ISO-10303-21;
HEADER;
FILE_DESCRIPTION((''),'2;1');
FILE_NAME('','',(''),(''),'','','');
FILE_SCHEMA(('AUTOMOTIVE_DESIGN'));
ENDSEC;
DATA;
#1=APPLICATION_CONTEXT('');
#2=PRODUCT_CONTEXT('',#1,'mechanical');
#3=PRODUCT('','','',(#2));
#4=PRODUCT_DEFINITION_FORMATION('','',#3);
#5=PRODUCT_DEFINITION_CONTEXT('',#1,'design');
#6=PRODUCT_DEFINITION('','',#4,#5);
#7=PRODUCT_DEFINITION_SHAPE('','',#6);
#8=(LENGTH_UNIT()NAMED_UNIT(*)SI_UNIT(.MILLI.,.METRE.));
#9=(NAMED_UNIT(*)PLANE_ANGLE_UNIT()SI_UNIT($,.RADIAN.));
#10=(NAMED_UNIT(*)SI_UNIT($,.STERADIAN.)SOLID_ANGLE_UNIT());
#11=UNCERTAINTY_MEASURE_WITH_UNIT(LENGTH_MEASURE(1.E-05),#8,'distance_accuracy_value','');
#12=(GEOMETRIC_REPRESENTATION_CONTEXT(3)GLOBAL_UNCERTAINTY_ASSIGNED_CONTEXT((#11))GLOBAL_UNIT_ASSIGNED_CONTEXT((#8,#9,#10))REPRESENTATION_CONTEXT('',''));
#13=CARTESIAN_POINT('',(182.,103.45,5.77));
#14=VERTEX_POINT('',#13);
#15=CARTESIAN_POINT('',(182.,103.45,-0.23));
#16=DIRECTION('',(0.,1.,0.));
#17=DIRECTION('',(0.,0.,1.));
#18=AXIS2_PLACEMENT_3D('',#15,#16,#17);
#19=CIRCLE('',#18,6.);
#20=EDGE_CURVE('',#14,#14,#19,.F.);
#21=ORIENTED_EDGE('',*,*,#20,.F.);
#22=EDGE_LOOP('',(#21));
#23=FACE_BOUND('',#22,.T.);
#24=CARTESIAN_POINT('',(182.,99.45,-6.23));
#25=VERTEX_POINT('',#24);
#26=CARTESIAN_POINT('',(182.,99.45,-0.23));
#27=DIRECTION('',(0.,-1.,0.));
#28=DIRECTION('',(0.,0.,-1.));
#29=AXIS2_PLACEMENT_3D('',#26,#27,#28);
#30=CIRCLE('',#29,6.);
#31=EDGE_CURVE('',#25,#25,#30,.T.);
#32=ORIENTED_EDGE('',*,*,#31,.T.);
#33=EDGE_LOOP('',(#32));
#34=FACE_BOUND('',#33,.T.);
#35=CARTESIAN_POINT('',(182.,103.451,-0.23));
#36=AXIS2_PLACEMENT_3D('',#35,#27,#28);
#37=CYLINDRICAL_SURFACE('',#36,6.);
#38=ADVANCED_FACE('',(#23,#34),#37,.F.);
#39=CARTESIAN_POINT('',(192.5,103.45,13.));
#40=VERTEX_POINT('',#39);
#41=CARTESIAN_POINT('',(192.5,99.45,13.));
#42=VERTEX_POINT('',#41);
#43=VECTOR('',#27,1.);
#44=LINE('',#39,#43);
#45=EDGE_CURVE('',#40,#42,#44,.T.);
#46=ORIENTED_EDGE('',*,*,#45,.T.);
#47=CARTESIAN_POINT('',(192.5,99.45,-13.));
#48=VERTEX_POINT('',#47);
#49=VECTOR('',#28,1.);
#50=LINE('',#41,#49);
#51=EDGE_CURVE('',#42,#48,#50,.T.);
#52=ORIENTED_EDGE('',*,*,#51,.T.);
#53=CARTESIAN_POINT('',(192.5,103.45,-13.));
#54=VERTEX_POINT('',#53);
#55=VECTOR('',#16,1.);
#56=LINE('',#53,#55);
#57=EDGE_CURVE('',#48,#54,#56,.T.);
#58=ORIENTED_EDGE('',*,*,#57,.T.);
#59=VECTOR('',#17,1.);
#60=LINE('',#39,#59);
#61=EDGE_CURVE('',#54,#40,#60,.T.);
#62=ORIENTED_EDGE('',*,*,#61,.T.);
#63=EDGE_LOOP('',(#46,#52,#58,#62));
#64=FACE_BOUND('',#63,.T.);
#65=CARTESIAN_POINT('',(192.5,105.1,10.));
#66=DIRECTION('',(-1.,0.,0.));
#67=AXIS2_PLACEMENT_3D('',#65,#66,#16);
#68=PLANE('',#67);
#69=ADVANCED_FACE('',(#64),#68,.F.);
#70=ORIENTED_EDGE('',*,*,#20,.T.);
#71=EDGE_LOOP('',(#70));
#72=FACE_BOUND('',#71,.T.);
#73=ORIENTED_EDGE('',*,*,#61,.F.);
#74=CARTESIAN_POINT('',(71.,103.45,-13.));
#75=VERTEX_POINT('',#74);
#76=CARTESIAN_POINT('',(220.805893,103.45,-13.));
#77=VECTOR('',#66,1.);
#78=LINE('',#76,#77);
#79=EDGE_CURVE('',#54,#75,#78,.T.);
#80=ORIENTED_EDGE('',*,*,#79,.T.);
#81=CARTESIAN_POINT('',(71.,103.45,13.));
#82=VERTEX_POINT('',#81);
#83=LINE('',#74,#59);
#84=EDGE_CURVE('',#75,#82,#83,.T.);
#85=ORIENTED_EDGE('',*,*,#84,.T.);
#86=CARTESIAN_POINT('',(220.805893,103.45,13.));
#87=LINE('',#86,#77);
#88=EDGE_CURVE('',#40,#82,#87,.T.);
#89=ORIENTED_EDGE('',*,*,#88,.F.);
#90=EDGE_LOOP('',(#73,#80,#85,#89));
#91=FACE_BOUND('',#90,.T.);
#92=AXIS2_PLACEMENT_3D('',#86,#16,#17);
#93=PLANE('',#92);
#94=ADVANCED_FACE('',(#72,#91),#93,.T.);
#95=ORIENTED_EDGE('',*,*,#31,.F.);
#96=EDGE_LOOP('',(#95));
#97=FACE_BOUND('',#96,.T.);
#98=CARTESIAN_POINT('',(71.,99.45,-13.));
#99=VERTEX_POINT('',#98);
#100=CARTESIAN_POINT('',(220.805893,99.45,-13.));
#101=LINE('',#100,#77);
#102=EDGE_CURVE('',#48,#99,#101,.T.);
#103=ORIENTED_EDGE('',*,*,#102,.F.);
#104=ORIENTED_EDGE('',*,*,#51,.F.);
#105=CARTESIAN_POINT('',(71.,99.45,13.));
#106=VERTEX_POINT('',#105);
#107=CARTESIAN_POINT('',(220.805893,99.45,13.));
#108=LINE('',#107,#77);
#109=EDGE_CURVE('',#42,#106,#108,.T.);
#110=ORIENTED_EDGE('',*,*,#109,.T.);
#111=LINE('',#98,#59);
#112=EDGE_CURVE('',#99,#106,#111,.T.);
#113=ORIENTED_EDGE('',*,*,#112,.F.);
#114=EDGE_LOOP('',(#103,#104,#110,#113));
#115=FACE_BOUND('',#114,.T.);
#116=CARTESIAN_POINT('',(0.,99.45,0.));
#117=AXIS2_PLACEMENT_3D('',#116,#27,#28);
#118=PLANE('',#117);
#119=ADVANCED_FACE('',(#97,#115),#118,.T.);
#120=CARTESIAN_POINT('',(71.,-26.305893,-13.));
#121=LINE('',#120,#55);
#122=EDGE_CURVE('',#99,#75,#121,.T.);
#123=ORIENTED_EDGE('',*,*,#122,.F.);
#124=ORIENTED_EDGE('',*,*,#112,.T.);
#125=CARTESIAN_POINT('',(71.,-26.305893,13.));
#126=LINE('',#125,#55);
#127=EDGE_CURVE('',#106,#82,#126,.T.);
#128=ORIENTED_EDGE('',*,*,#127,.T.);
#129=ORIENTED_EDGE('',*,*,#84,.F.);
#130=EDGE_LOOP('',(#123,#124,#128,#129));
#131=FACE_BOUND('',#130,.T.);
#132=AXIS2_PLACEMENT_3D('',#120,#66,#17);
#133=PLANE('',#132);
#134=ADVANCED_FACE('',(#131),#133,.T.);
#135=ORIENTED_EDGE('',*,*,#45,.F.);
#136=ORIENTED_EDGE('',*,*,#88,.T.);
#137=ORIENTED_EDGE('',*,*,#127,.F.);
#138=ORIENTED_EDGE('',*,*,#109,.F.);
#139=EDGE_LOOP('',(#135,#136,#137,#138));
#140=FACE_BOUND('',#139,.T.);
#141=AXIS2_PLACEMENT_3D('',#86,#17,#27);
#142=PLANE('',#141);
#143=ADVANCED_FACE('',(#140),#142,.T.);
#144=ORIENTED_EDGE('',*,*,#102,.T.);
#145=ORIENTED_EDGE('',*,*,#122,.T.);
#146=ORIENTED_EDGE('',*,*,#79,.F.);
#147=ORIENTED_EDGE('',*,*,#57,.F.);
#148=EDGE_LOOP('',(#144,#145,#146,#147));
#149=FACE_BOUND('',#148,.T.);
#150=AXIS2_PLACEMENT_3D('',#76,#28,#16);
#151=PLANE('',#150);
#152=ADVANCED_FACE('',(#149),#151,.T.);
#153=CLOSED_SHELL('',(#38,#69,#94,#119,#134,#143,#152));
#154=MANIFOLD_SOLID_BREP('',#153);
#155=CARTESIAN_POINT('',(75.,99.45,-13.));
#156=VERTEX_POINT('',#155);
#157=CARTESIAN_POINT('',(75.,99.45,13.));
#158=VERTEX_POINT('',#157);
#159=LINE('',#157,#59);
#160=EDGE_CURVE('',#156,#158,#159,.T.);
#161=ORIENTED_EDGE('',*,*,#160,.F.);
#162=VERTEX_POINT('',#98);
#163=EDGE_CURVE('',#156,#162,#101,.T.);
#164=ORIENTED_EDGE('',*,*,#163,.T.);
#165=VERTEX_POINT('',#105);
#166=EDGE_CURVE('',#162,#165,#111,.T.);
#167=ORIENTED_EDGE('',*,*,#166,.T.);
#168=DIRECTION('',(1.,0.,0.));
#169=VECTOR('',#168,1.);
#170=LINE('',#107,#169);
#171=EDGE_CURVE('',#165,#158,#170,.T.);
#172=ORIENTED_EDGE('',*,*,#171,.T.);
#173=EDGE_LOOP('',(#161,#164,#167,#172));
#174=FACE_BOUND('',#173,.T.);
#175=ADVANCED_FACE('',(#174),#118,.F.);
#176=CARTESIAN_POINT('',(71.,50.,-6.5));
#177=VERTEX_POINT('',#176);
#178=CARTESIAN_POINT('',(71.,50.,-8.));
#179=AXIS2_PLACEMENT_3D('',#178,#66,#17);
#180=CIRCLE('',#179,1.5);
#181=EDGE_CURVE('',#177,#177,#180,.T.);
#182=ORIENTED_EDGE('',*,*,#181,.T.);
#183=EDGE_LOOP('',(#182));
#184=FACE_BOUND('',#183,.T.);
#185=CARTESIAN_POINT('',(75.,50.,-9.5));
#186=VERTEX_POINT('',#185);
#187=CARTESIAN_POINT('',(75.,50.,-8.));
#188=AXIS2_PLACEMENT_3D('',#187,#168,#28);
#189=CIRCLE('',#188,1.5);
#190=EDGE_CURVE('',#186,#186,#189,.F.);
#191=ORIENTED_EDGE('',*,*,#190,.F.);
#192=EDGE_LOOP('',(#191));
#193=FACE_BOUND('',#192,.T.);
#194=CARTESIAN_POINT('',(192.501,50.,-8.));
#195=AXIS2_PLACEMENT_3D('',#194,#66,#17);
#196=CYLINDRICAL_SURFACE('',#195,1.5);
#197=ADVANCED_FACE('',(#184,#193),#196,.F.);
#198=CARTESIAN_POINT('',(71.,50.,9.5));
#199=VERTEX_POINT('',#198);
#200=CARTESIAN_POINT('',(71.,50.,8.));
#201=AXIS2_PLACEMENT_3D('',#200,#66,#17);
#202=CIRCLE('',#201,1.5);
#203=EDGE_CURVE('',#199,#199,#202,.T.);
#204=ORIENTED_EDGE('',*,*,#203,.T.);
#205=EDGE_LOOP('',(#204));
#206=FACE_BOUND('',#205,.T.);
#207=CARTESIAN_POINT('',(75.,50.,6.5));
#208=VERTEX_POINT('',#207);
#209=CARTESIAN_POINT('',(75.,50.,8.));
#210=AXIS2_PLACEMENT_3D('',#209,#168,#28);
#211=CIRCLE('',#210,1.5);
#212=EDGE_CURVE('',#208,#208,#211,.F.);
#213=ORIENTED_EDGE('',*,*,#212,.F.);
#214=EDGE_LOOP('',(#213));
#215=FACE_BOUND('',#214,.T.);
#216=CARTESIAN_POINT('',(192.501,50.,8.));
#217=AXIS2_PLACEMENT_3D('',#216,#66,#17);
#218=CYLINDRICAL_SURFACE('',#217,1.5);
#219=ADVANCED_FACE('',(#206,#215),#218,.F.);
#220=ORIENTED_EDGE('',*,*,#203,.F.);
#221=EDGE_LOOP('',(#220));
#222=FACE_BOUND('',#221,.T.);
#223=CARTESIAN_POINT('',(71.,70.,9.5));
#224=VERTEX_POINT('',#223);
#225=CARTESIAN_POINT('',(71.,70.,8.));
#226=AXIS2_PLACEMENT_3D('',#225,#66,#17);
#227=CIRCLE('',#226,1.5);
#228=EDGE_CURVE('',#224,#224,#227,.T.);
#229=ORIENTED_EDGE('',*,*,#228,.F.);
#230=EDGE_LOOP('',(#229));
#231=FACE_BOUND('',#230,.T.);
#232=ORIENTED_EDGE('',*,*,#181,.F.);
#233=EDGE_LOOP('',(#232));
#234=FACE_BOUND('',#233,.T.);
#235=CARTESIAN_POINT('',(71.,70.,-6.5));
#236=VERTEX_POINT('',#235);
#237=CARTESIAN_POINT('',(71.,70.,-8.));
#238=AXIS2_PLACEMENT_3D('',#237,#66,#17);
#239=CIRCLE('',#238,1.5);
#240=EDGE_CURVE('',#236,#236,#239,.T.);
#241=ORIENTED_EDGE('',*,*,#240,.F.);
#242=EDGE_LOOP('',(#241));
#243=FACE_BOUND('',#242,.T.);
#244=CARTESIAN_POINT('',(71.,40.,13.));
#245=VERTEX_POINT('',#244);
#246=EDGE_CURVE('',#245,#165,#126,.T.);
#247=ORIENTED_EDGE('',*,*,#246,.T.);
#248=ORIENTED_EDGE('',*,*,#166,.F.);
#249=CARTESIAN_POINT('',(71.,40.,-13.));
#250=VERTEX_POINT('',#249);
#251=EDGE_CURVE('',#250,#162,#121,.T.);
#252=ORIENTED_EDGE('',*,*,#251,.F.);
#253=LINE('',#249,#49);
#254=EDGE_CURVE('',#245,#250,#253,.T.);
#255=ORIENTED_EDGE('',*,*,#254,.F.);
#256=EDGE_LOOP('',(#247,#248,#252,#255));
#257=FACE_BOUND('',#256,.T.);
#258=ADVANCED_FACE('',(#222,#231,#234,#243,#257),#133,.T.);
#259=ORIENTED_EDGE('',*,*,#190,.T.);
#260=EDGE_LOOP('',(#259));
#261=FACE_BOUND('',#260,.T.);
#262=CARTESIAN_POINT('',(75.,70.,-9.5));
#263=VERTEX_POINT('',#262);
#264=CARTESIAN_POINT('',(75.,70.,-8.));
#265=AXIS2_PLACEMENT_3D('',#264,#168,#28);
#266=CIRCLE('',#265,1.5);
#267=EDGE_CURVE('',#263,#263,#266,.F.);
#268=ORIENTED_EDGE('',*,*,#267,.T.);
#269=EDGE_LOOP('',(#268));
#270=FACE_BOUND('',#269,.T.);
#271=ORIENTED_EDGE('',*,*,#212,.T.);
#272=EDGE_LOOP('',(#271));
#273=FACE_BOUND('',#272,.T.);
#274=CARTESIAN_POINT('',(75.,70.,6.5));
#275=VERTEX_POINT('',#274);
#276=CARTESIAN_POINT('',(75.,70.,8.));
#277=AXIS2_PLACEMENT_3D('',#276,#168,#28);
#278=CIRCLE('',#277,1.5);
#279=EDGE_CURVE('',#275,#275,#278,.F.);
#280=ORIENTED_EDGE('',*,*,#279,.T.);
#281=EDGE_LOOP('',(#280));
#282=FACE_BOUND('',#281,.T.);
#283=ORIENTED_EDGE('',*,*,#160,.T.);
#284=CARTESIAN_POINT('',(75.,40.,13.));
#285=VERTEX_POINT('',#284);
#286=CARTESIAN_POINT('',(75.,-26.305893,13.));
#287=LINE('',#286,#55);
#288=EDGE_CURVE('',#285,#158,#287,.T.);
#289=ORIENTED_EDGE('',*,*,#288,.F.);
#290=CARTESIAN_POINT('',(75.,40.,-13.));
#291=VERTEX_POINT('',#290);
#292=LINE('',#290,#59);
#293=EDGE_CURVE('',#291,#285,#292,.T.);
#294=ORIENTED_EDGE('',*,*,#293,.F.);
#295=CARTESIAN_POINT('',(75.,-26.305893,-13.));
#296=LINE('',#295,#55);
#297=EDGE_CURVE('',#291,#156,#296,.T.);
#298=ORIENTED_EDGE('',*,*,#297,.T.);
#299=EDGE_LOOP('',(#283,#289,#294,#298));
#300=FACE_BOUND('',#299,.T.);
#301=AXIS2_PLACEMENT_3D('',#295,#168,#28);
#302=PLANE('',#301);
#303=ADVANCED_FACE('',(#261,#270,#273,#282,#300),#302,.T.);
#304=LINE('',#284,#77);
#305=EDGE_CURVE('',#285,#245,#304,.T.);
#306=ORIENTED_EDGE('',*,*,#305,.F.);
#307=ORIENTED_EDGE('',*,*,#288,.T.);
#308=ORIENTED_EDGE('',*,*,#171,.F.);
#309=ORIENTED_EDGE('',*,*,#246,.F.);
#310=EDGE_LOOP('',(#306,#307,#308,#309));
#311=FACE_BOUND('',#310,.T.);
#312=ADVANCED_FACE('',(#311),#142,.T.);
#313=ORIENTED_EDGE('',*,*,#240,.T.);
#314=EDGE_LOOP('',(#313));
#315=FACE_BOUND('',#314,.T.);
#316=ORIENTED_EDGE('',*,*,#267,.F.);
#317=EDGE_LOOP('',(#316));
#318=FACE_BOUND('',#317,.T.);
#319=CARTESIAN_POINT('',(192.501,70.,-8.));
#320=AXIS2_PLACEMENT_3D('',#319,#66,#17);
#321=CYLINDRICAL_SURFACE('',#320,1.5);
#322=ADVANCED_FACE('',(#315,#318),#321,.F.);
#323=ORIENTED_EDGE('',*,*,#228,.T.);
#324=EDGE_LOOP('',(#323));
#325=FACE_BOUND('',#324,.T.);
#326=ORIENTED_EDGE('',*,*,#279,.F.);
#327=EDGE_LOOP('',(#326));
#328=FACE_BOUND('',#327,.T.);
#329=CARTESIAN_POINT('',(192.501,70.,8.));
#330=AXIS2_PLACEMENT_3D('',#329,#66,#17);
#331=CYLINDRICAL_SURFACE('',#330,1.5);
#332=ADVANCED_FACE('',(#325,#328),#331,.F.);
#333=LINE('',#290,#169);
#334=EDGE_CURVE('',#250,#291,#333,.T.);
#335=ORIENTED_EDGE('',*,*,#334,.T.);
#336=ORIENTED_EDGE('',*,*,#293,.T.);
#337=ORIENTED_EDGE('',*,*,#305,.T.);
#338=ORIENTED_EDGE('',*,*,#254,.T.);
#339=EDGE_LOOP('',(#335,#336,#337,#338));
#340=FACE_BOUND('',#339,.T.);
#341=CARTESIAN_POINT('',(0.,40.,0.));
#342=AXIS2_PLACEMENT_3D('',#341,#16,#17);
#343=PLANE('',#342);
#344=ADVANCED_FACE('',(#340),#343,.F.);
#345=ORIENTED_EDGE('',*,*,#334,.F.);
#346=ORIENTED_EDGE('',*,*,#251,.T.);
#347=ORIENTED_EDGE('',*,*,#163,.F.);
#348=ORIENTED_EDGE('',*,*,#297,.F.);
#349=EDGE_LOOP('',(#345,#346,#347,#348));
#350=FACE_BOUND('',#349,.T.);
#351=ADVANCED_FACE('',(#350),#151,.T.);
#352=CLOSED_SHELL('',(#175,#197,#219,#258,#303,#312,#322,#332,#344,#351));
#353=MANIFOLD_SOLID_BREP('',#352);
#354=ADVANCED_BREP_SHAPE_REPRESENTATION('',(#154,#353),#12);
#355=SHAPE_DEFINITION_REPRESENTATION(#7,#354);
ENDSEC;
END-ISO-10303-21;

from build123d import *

# Parameters (mm, degrees)
SKETCH2_W           = 26
SKETCH2_H           = 4
BOSS_EXTRUDE1_DEPTH = 117.5
CUT_EXTRUDE2_REACH  = 194.98
SKETCH4_R           = 6
SKETCH5_W           = 4
SKETCH5_H           = 26
BOSS_EXTRUDE2_DEPTH = 63.45
CUT_EXTRUDE3_REACH  = 162.104
SKETCH6_R           = 1.5


with BuildPart() as part:
    # Sketch2 → Boss-Extrude1 (new body)
    with BuildSketch(Plane.ZY.offset(-75)):
        with Locations((0, 101.45)):
            Rectangle(SKETCH2_W, SKETCH2_H)
    extrude(amount=-BOSS_EXTRUDE1_DEPTH)

    # Sketch4 → Cut-Extrude2 (cut, up to next)
    with BuildSketch(Plane.XZ.offset(-99.45), mode=Mode.PRIVATE) as cut_extrude2_sk1:
        with Locations(Location((182, -0.23, 0), (0, 0, 270))):
            Circle(SKETCH4_R)
    cut_extrude2_tool1 = extrude(cut_extrude2_sk1.sketch, amount=-CUT_EXTRUDE2_REACH, mode=Mode.PRIVATE) & part.part
    add(cut_extrude2_tool1.solids().sort_by_distance((182, 99.45, -0.23))[0], mode=Mode.SUBTRACT)

    # Sketch5 → Boss-Extrude2 (add)
    with BuildSketch(Plane(origin=(0, 103.45, 0), x_dir=(1, 0, 0), z_dir=(0, 1, 0))):
        with Locations((73, 0)):
            Rectangle(SKETCH5_W, SKETCH5_H)
    extrude(amount=-BOSS_EXTRUDE2_DEPTH)

    # Sketch6 → Cut-Extrude3 (cut, up to next)
    with BuildSketch(Plane.ZY.offset(-71), mode=Mode.PRIVATE) as cut_extrude3_sk1:
        with Locations((-8, 70)):
            Circle(SKETCH6_R)
    cut_extrude3_tool1 = extrude(cut_extrude3_sk1.sketch, amount=-CUT_EXTRUDE3_REACH, mode=Mode.PRIVATE) & part.part
    # Sketch6 → Cut-Extrude3 (cut, up to next)
    with BuildSketch(Plane.ZY.offset(-71), mode=Mode.PRIVATE) as cut_extrude3_sk2:
        with Locations((8, 70)):
            Circle(SKETCH6_R)
    cut_extrude3_tool2 = extrude(cut_extrude3_sk2.sketch, amount=-CUT_EXTRUDE3_REACH, mode=Mode.PRIVATE) & part.part
    # Sketch6 → Cut-Extrude3 (cut, up to next)
    with BuildSketch(Plane.ZY.offset(-71), mode=Mode.PRIVATE) as cut_extrude3_sk3:
        with Locations((-8, 50)):
            Circle(SKETCH6_R)
    cut_extrude3_tool3 = extrude(cut_extrude3_sk3.sketch, amount=-CUT_EXTRUDE3_REACH, mode=Mode.PRIVATE) & part.part
    # Sketch6 → Cut-Extrude3 (cut, up to next)
    with BuildSketch(Plane.ZY.offset(-71), mode=Mode.PRIVATE) as cut_extrude3_sk4:
        with Locations((8, 50)):
            Circle(SKETCH6_R)
    cut_extrude3_tool4 = extrude(cut_extrude3_sk4.sketch, amount=-CUT_EXTRUDE3_REACH, mode=Mode.PRIVATE) & part.part
    add(cut_extrude3_tool1.solids().sort_by_distance((71, 70, -8))[0], mode=Mode.SUBTRACT)
    add(cut_extrude3_tool2.solids().sort_by_distance((71, 70, 8))[0], mode=Mode.SUBTRACT)
    add(cut_extrude3_tool3.solids().sort_by_distance((71, 50, -8))[0], mode=Mode.SUBTRACT)
    add(cut_extrude3_tool4.solids().sort_by_distance((71, 50, 8))[0], mode=Mode.SUBTRACT)


with BuildPart() as body_2:
    # Split1: the piece on the far side of the plane
    add(part.part)
    split(bisect_by=Plane(origin=(0, 99.45, 0), x_dir=(0, 0, -1), z_dir=(0, -1, 0)), keep=Keep.BOTTOM)


with BuildPart() as part_1:
    add(part.part)

    # Split1
    split(bisect_by=Plane(origin=(0, 99.45, 0), x_dir=(0, 0, -1), z_dir=(0, -1, 0)), keep=Keep.TOP)


solid = Compound([body_2.part, part_1.part])
